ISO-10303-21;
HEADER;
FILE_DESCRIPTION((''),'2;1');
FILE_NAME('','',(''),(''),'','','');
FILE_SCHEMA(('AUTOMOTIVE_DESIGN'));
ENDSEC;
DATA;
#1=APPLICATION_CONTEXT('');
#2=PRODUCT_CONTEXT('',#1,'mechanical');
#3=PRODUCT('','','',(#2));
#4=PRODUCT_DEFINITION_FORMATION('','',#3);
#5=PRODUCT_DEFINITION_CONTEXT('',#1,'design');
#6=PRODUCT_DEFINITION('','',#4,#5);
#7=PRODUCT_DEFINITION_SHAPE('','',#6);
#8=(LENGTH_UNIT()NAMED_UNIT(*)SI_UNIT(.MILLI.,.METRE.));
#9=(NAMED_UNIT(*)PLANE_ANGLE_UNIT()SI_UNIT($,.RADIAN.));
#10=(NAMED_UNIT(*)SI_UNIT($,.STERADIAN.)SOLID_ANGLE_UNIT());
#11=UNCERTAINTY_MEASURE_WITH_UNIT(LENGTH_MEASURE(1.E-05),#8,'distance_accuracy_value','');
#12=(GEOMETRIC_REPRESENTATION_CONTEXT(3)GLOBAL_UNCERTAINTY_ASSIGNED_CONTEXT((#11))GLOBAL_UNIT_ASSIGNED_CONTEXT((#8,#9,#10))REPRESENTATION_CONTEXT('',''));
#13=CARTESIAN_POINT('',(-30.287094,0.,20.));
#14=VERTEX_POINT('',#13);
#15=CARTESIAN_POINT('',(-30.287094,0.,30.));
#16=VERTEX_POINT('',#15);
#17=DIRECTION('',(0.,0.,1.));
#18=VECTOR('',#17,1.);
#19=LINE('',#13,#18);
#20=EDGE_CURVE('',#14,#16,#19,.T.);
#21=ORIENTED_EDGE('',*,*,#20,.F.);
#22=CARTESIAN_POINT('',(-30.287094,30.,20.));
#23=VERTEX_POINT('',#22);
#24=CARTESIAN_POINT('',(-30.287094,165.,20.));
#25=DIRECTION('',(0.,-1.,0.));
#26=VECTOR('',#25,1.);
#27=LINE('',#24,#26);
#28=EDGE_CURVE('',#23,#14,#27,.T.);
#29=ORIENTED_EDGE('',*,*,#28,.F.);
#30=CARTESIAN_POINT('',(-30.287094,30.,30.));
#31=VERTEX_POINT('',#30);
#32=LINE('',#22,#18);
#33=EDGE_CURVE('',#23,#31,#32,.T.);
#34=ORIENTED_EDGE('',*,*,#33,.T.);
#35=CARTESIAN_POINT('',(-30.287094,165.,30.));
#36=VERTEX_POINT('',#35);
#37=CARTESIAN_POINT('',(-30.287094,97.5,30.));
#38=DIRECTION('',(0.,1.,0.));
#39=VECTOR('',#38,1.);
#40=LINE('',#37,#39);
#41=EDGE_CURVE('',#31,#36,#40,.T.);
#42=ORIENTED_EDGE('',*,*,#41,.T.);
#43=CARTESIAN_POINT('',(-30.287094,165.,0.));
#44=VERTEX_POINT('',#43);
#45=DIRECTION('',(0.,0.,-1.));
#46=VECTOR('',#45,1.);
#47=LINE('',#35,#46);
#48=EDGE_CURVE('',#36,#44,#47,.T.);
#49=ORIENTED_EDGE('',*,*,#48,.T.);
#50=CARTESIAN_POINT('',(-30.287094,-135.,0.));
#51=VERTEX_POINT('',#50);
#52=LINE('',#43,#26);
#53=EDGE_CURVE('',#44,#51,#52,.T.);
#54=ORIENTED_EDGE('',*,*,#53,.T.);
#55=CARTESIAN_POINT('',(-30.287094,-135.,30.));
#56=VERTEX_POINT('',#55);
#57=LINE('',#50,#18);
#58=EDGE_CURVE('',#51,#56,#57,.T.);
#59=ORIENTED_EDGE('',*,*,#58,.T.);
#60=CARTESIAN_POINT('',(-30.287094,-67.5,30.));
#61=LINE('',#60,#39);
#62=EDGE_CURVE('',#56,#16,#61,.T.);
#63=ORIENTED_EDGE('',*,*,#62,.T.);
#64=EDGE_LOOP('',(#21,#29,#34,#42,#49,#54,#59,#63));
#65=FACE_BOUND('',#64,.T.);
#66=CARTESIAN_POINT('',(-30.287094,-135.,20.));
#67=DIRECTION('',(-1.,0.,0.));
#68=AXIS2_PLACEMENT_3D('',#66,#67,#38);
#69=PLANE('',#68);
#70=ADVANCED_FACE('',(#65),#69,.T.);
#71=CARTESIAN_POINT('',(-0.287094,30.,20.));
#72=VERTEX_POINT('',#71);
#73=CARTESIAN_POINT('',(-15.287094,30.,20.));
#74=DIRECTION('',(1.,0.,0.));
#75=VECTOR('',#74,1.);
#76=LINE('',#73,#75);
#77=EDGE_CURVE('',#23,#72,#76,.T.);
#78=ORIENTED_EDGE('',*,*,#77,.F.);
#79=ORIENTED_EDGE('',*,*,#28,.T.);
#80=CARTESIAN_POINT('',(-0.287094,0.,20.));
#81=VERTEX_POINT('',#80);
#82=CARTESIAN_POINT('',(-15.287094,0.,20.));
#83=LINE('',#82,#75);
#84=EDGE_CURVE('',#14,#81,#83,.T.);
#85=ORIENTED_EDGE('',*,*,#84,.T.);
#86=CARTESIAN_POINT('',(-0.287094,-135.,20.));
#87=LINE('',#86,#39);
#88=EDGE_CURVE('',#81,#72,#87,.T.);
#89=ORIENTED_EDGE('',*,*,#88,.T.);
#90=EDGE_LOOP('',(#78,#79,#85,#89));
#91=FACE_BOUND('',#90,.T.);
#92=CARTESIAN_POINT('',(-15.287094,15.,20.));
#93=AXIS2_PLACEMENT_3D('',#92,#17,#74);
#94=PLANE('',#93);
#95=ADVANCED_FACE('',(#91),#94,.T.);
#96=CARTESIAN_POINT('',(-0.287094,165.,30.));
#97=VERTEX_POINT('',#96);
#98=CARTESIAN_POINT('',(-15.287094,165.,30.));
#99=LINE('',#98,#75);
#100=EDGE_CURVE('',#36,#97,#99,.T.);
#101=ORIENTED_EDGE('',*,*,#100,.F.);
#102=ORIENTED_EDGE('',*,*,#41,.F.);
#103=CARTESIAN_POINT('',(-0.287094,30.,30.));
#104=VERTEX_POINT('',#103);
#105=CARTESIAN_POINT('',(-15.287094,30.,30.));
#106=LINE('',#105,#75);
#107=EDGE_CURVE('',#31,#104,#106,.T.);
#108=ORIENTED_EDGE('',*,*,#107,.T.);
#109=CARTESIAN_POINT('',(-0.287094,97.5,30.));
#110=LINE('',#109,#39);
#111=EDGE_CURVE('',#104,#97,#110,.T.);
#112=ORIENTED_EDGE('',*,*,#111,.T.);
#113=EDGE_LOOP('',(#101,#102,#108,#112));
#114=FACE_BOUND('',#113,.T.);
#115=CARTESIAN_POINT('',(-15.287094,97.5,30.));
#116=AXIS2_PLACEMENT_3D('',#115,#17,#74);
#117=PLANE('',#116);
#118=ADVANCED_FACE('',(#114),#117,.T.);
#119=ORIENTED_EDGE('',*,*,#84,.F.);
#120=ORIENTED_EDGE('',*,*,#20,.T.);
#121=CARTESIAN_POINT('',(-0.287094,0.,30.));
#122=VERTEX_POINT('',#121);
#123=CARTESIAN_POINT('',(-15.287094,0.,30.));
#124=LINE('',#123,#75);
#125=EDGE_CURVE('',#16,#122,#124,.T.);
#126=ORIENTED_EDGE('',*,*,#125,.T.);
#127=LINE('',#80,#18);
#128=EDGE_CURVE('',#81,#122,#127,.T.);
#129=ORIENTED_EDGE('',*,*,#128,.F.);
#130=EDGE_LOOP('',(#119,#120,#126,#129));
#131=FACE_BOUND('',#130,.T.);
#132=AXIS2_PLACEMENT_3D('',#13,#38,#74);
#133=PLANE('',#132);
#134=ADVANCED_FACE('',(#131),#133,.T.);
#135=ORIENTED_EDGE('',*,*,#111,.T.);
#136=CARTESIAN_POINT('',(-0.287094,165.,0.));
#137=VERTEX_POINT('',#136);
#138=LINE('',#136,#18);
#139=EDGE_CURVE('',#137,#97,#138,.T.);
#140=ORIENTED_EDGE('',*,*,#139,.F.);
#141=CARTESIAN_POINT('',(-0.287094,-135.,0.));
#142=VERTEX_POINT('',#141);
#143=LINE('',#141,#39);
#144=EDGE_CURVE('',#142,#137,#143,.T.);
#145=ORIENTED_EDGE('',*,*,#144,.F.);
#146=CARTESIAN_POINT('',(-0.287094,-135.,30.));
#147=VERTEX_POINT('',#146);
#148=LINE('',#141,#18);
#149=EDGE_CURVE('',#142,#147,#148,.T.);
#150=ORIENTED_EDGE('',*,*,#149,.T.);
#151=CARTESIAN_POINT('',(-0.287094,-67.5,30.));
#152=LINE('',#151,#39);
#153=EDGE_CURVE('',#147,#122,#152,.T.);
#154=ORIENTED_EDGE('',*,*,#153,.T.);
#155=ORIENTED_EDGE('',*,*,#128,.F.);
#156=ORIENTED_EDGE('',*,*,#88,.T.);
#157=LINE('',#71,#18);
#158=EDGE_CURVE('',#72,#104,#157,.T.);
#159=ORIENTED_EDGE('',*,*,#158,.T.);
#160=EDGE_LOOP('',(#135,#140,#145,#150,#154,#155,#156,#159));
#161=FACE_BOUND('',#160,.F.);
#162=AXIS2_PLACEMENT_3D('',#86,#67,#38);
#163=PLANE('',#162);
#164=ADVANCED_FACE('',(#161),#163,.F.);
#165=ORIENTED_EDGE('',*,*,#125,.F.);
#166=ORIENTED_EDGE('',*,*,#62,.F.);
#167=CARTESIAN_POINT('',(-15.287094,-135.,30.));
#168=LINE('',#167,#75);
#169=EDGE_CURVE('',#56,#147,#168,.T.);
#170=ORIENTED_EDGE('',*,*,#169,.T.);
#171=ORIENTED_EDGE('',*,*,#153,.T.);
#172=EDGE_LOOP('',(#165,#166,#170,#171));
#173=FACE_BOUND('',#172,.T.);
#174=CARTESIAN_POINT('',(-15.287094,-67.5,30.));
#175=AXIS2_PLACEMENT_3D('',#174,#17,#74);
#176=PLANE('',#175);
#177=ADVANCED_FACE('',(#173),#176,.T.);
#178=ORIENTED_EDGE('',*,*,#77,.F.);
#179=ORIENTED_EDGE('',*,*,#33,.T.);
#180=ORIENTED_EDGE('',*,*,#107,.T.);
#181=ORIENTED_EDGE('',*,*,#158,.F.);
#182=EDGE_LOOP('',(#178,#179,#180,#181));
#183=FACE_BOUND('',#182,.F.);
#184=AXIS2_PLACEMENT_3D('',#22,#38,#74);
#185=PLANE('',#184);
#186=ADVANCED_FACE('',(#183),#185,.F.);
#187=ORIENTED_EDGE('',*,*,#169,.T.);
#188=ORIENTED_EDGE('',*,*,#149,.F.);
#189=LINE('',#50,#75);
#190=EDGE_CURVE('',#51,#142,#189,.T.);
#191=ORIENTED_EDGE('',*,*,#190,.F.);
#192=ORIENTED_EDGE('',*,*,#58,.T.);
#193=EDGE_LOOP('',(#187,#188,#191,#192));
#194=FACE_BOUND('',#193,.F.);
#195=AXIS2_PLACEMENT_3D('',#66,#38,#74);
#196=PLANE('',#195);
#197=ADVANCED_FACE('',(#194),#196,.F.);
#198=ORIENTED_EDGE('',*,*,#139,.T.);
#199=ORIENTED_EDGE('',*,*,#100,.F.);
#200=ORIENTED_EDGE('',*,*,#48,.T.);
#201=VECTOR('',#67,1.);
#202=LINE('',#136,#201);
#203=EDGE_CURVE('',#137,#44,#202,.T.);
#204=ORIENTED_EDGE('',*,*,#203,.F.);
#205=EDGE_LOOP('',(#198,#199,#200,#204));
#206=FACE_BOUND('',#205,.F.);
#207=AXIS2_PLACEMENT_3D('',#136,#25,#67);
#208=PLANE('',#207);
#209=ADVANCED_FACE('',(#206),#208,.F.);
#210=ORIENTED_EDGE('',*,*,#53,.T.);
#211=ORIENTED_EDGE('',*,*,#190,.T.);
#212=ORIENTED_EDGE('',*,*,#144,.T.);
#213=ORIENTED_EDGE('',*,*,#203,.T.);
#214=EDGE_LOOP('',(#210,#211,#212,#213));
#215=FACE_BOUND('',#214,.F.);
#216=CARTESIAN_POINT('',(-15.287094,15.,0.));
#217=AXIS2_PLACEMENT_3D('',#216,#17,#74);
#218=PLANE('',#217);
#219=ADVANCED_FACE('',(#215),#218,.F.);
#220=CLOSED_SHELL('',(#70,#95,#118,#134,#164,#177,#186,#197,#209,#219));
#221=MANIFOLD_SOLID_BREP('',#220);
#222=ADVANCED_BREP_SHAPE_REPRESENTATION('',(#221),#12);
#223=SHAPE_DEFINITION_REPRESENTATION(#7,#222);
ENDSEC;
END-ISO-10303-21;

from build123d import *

# Parameters (mm, degrees)
F1_DEPTH = 20
F2_W     = 30
F2_H     = 135
F3_DEPTH = 10


with BuildPart() as f1:
    # F0 (on Top) → F1 (new body)
    with BuildSketch(Plane.XY):
        Polygon((-0.287094, 165), (-30.287094, 165), (-30.287094, 30), (-30.287094, 0), (-30.287094, -135), (-0.287094, -135), (-0.287094, 30), align=None)
    extrude(amount=F1_DEPTH)

    # F2 (on face) → F3 (join)
    with BuildSketch(Plane.XY.offset(20)):
        with Locations((-15.287094, -67.5)):
            Rectangle(F2_W, F2_H)
        with Locations((-15.287094, 97.5)):
            Rectangle(F2_W, F2_H)
    extrude(amount=F3_DEPTH)


solid = f1.part
